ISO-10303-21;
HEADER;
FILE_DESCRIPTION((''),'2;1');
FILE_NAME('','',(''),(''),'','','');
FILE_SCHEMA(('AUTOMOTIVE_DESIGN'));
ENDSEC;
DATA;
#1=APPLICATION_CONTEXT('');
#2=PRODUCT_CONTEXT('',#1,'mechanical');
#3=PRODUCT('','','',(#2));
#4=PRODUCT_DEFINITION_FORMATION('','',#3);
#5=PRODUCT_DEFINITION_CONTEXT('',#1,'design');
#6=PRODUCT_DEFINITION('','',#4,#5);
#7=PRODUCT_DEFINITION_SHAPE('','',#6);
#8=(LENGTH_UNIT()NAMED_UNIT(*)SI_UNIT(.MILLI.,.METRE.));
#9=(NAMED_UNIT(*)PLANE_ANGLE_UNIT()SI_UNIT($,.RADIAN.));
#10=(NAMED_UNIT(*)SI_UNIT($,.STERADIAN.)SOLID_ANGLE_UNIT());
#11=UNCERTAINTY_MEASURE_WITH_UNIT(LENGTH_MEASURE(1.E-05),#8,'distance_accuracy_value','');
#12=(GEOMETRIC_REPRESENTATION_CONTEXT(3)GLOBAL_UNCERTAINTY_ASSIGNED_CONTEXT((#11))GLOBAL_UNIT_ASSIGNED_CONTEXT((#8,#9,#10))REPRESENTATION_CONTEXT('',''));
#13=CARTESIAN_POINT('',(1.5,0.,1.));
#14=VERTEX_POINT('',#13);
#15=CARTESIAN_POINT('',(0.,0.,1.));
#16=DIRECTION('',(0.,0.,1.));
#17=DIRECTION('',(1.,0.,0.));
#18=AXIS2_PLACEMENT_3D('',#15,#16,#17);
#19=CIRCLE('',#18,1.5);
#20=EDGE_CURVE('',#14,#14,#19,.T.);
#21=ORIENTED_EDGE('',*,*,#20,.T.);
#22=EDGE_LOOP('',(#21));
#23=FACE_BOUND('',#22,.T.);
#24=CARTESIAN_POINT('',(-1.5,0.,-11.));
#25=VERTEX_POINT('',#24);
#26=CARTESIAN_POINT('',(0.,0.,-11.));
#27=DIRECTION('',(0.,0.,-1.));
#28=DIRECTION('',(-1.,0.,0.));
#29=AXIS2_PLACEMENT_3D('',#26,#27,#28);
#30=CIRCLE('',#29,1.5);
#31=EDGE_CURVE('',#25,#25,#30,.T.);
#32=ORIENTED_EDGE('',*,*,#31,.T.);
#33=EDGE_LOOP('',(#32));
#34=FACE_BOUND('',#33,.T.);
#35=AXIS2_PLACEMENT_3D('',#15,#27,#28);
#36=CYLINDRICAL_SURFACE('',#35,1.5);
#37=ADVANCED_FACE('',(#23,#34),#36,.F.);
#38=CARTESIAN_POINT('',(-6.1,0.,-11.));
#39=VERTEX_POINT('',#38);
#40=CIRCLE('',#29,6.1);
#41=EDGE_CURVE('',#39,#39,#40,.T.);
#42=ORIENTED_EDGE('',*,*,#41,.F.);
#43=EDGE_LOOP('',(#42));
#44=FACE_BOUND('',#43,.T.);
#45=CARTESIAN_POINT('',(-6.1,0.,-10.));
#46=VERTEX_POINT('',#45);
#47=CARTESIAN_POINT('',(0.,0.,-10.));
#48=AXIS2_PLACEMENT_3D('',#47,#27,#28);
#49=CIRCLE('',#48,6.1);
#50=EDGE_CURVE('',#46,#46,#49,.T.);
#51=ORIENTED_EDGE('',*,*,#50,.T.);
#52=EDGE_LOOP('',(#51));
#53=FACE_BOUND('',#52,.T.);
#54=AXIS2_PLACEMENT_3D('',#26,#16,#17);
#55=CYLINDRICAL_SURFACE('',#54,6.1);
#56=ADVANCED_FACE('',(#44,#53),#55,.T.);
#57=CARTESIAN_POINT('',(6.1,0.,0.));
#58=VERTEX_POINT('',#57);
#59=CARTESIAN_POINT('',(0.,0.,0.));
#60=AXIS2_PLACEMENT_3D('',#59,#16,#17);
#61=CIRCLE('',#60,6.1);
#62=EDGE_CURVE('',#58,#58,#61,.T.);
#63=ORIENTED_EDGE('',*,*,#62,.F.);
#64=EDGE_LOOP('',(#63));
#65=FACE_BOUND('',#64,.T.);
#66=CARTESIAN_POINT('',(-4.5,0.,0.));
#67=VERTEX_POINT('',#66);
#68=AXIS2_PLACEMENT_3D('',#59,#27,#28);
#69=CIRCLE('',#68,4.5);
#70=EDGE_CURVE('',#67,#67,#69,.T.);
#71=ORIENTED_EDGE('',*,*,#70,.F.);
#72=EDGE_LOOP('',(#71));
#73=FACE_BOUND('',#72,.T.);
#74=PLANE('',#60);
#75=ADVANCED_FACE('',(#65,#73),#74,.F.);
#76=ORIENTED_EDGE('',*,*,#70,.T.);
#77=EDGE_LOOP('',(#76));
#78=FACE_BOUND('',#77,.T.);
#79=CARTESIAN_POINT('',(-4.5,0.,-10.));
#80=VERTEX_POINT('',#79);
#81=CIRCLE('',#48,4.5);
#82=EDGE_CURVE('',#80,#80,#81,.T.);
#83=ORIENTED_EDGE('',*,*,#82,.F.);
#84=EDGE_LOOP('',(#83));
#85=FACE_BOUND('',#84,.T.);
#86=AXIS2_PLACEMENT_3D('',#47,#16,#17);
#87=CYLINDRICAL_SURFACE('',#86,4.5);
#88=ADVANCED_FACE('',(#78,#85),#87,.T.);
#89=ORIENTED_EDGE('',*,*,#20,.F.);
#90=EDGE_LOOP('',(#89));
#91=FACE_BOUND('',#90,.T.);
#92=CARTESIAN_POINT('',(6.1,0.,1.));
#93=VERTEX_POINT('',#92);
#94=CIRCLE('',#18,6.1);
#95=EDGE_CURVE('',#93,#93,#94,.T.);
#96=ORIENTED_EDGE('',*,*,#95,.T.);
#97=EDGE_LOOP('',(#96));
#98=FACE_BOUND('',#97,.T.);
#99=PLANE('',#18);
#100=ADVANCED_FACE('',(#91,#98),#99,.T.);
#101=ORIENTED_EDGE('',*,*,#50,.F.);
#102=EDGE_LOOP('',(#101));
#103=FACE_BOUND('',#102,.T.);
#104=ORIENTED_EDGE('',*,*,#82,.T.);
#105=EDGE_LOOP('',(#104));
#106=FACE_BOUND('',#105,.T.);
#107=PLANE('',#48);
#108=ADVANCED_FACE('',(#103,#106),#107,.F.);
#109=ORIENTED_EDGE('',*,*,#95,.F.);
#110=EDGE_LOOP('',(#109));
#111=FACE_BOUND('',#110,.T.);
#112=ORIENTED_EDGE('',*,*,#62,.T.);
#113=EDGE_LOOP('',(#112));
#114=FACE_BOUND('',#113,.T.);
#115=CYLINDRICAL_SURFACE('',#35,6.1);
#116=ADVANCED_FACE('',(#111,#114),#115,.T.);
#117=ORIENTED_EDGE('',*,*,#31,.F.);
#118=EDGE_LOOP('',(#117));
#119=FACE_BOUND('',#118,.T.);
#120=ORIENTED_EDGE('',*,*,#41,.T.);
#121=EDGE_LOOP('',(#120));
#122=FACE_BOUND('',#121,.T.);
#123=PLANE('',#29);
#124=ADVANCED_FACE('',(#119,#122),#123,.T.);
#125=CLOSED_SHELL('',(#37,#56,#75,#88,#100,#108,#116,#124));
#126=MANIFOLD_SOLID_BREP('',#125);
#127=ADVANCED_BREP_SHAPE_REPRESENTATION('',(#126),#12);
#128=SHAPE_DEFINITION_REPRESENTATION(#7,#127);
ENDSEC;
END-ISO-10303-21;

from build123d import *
from build123d.topology import SkipClean

# Parameters (mm, degrees)
ESQUISSE1_R        = 6.1
ESQUISSE1_R_2      = 1.5
BOSS_EXTRU_1_DEPTH = 1
BOSS_EXTRU_2_START = 10
ESQUISSE2_R        = 4.5
ESQUISSE2_R_2      = 1.5
BOSS_EXTRU_2_DEPTH = 10
BOSS_EXTRU_3_START = 1
ESQUISSE3_R        = 6.1
ESQUISSE3_R_2      = 1.5
BOSS_EXTRU_3_DEPTH = 1


with BuildPart() as part:
    # Esquisse1 → Boss.-Extru.1 (new body)
    with BuildSketch(Plane.XY):
        Circle(ESQUISSE1_R)
        Circle(ESQUISSE1_R_2, mode=Mode.SUBTRACT)
    extrude(amount=BOSS_EXTRU_1_DEPTH)

    # Esquisse2 → Boss.-Extru.2 (add)
    with SkipClean():  # the faces are left unmerged after this step: merging them gives an invalid solid
        with BuildSketch(Plane(origin=(0, 0, 0), x_dir=(-1, 0, 0), z_dir=(0, 0, -1)).offset(BOSS_EXTRU_2_START)):
            Circle(ESQUISSE2_R)
            Circle(ESQUISSE2_R_2, mode=Mode.SUBTRACT)
        extrude(amount=-BOSS_EXTRU_2_DEPTH)

    # Esquisse3 → Boss.-Extru.3 (add)
    with SkipClean():  # the faces are left unmerged after this step: merging them gives an invalid solid
        with BuildSketch(Plane(origin=(0, 0, -10), x_dir=(-1, 0, 0), z_dir=(0, 0, -1)).offset(BOSS_EXTRU_3_START)):
            with Locations(Location((0, 0, 0), (0, 0, 180))):
                Circle(ESQUISSE3_R)
            Circle(ESQUISSE3_R_2, mode=Mode.SUBTRACT)
        extrude(amount=-BOSS_EXTRU_3_DEPTH)


solid = part.part
